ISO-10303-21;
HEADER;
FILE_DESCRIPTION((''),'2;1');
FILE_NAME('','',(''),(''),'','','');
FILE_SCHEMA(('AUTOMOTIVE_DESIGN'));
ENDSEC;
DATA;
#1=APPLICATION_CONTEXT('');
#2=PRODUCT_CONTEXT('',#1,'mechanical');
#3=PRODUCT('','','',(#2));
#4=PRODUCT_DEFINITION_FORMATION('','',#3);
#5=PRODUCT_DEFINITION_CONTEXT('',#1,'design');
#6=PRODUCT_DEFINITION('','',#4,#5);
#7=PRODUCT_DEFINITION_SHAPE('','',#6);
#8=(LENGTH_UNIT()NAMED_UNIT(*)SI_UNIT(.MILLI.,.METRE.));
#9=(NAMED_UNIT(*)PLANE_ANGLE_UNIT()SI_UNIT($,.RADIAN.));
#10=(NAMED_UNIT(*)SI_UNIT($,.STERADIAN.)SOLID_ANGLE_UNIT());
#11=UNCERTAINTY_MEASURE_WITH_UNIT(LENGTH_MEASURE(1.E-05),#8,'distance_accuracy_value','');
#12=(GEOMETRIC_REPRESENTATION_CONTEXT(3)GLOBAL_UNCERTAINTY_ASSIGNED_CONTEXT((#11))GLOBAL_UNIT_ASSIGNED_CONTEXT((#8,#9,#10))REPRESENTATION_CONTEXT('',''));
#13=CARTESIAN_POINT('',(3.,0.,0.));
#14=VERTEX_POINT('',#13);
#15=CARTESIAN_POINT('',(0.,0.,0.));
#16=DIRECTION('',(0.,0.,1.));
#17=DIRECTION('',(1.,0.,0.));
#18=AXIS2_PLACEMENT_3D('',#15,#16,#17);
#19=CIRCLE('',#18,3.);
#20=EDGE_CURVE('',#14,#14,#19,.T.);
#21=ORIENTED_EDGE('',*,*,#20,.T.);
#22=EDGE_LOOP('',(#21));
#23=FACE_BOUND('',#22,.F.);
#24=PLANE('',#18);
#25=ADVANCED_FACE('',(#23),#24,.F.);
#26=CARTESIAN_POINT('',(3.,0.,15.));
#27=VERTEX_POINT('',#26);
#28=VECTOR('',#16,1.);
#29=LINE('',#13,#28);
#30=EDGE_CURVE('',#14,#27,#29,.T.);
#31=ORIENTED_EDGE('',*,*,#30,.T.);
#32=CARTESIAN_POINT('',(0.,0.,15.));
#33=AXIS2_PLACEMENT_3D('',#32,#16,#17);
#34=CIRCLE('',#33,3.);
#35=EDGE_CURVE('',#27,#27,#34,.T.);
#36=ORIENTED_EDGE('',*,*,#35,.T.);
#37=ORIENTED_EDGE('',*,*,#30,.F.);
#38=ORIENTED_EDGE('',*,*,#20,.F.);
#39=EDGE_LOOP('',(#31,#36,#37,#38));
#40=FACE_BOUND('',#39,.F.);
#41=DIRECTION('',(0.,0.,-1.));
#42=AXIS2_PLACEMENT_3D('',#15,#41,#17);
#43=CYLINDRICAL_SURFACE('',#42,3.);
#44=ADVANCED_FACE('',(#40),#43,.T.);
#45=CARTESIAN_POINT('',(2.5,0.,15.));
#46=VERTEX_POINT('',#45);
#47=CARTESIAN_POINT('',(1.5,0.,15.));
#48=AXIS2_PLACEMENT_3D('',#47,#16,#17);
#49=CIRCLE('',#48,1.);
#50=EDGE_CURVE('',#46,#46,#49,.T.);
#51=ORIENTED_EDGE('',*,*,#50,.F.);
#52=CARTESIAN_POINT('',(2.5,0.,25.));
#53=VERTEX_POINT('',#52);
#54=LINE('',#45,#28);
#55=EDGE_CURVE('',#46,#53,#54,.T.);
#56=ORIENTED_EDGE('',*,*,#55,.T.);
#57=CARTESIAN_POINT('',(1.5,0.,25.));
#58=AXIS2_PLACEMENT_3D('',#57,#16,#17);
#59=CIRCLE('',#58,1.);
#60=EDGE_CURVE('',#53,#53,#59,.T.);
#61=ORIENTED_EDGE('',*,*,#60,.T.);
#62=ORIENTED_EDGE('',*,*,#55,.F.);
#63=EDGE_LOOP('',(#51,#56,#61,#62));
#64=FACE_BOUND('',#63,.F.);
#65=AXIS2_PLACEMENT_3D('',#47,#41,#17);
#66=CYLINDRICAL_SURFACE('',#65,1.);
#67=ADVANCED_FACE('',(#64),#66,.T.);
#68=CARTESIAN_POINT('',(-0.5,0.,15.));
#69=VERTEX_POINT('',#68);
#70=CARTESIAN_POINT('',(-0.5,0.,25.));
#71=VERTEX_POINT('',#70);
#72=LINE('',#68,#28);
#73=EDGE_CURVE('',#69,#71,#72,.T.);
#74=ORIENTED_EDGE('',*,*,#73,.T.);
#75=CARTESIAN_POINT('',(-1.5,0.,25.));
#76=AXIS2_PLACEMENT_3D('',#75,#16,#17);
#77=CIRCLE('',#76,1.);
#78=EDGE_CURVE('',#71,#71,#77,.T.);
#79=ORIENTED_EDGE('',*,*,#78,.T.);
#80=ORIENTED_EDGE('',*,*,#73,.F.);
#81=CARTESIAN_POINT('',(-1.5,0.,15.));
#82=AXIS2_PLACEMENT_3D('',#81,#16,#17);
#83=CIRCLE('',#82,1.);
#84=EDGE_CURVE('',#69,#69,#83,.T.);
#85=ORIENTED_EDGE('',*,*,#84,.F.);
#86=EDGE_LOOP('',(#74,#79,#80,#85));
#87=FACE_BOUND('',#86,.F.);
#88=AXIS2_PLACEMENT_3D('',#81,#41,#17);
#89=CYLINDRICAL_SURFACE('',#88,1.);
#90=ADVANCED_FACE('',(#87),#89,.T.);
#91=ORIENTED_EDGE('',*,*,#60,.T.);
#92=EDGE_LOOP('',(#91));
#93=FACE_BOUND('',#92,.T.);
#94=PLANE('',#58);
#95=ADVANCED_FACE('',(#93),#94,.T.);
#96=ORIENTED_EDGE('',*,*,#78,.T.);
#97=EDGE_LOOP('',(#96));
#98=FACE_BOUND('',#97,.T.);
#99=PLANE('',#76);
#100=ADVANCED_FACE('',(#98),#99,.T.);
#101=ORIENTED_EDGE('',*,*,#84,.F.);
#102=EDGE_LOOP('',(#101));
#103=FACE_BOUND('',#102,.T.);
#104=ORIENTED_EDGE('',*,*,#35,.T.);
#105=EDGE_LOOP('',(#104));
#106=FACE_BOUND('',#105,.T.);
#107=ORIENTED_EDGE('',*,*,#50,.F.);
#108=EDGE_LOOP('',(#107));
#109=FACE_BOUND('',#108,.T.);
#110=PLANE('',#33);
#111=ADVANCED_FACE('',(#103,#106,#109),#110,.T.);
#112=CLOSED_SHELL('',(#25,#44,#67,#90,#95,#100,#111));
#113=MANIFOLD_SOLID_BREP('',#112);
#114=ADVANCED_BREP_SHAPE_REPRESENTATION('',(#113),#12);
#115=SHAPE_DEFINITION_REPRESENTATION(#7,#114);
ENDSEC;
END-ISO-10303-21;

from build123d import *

# Parameters (mm, degrees)
F0_R     = 3
F1_DEPTH = 15
F2_R     = 1
F3_DEPTH = 10


with BuildPart() as f1:
    # F0 (on Top) → F1 (new body)
    with BuildSketch(Plane.XY):
        Circle(F0_R)
    extrude(amount=F1_DEPTH)

    # F2 (on face) → F3 (join)
    with BuildSketch(Plane.XY.offset(15)):
        with Locations((-1.5, 0)):
            Circle(F2_R)
        with Locations((1.5, 0)):
            Circle(F2_R)
    extrude(amount=F3_DEPTH)


solid = f1.part
